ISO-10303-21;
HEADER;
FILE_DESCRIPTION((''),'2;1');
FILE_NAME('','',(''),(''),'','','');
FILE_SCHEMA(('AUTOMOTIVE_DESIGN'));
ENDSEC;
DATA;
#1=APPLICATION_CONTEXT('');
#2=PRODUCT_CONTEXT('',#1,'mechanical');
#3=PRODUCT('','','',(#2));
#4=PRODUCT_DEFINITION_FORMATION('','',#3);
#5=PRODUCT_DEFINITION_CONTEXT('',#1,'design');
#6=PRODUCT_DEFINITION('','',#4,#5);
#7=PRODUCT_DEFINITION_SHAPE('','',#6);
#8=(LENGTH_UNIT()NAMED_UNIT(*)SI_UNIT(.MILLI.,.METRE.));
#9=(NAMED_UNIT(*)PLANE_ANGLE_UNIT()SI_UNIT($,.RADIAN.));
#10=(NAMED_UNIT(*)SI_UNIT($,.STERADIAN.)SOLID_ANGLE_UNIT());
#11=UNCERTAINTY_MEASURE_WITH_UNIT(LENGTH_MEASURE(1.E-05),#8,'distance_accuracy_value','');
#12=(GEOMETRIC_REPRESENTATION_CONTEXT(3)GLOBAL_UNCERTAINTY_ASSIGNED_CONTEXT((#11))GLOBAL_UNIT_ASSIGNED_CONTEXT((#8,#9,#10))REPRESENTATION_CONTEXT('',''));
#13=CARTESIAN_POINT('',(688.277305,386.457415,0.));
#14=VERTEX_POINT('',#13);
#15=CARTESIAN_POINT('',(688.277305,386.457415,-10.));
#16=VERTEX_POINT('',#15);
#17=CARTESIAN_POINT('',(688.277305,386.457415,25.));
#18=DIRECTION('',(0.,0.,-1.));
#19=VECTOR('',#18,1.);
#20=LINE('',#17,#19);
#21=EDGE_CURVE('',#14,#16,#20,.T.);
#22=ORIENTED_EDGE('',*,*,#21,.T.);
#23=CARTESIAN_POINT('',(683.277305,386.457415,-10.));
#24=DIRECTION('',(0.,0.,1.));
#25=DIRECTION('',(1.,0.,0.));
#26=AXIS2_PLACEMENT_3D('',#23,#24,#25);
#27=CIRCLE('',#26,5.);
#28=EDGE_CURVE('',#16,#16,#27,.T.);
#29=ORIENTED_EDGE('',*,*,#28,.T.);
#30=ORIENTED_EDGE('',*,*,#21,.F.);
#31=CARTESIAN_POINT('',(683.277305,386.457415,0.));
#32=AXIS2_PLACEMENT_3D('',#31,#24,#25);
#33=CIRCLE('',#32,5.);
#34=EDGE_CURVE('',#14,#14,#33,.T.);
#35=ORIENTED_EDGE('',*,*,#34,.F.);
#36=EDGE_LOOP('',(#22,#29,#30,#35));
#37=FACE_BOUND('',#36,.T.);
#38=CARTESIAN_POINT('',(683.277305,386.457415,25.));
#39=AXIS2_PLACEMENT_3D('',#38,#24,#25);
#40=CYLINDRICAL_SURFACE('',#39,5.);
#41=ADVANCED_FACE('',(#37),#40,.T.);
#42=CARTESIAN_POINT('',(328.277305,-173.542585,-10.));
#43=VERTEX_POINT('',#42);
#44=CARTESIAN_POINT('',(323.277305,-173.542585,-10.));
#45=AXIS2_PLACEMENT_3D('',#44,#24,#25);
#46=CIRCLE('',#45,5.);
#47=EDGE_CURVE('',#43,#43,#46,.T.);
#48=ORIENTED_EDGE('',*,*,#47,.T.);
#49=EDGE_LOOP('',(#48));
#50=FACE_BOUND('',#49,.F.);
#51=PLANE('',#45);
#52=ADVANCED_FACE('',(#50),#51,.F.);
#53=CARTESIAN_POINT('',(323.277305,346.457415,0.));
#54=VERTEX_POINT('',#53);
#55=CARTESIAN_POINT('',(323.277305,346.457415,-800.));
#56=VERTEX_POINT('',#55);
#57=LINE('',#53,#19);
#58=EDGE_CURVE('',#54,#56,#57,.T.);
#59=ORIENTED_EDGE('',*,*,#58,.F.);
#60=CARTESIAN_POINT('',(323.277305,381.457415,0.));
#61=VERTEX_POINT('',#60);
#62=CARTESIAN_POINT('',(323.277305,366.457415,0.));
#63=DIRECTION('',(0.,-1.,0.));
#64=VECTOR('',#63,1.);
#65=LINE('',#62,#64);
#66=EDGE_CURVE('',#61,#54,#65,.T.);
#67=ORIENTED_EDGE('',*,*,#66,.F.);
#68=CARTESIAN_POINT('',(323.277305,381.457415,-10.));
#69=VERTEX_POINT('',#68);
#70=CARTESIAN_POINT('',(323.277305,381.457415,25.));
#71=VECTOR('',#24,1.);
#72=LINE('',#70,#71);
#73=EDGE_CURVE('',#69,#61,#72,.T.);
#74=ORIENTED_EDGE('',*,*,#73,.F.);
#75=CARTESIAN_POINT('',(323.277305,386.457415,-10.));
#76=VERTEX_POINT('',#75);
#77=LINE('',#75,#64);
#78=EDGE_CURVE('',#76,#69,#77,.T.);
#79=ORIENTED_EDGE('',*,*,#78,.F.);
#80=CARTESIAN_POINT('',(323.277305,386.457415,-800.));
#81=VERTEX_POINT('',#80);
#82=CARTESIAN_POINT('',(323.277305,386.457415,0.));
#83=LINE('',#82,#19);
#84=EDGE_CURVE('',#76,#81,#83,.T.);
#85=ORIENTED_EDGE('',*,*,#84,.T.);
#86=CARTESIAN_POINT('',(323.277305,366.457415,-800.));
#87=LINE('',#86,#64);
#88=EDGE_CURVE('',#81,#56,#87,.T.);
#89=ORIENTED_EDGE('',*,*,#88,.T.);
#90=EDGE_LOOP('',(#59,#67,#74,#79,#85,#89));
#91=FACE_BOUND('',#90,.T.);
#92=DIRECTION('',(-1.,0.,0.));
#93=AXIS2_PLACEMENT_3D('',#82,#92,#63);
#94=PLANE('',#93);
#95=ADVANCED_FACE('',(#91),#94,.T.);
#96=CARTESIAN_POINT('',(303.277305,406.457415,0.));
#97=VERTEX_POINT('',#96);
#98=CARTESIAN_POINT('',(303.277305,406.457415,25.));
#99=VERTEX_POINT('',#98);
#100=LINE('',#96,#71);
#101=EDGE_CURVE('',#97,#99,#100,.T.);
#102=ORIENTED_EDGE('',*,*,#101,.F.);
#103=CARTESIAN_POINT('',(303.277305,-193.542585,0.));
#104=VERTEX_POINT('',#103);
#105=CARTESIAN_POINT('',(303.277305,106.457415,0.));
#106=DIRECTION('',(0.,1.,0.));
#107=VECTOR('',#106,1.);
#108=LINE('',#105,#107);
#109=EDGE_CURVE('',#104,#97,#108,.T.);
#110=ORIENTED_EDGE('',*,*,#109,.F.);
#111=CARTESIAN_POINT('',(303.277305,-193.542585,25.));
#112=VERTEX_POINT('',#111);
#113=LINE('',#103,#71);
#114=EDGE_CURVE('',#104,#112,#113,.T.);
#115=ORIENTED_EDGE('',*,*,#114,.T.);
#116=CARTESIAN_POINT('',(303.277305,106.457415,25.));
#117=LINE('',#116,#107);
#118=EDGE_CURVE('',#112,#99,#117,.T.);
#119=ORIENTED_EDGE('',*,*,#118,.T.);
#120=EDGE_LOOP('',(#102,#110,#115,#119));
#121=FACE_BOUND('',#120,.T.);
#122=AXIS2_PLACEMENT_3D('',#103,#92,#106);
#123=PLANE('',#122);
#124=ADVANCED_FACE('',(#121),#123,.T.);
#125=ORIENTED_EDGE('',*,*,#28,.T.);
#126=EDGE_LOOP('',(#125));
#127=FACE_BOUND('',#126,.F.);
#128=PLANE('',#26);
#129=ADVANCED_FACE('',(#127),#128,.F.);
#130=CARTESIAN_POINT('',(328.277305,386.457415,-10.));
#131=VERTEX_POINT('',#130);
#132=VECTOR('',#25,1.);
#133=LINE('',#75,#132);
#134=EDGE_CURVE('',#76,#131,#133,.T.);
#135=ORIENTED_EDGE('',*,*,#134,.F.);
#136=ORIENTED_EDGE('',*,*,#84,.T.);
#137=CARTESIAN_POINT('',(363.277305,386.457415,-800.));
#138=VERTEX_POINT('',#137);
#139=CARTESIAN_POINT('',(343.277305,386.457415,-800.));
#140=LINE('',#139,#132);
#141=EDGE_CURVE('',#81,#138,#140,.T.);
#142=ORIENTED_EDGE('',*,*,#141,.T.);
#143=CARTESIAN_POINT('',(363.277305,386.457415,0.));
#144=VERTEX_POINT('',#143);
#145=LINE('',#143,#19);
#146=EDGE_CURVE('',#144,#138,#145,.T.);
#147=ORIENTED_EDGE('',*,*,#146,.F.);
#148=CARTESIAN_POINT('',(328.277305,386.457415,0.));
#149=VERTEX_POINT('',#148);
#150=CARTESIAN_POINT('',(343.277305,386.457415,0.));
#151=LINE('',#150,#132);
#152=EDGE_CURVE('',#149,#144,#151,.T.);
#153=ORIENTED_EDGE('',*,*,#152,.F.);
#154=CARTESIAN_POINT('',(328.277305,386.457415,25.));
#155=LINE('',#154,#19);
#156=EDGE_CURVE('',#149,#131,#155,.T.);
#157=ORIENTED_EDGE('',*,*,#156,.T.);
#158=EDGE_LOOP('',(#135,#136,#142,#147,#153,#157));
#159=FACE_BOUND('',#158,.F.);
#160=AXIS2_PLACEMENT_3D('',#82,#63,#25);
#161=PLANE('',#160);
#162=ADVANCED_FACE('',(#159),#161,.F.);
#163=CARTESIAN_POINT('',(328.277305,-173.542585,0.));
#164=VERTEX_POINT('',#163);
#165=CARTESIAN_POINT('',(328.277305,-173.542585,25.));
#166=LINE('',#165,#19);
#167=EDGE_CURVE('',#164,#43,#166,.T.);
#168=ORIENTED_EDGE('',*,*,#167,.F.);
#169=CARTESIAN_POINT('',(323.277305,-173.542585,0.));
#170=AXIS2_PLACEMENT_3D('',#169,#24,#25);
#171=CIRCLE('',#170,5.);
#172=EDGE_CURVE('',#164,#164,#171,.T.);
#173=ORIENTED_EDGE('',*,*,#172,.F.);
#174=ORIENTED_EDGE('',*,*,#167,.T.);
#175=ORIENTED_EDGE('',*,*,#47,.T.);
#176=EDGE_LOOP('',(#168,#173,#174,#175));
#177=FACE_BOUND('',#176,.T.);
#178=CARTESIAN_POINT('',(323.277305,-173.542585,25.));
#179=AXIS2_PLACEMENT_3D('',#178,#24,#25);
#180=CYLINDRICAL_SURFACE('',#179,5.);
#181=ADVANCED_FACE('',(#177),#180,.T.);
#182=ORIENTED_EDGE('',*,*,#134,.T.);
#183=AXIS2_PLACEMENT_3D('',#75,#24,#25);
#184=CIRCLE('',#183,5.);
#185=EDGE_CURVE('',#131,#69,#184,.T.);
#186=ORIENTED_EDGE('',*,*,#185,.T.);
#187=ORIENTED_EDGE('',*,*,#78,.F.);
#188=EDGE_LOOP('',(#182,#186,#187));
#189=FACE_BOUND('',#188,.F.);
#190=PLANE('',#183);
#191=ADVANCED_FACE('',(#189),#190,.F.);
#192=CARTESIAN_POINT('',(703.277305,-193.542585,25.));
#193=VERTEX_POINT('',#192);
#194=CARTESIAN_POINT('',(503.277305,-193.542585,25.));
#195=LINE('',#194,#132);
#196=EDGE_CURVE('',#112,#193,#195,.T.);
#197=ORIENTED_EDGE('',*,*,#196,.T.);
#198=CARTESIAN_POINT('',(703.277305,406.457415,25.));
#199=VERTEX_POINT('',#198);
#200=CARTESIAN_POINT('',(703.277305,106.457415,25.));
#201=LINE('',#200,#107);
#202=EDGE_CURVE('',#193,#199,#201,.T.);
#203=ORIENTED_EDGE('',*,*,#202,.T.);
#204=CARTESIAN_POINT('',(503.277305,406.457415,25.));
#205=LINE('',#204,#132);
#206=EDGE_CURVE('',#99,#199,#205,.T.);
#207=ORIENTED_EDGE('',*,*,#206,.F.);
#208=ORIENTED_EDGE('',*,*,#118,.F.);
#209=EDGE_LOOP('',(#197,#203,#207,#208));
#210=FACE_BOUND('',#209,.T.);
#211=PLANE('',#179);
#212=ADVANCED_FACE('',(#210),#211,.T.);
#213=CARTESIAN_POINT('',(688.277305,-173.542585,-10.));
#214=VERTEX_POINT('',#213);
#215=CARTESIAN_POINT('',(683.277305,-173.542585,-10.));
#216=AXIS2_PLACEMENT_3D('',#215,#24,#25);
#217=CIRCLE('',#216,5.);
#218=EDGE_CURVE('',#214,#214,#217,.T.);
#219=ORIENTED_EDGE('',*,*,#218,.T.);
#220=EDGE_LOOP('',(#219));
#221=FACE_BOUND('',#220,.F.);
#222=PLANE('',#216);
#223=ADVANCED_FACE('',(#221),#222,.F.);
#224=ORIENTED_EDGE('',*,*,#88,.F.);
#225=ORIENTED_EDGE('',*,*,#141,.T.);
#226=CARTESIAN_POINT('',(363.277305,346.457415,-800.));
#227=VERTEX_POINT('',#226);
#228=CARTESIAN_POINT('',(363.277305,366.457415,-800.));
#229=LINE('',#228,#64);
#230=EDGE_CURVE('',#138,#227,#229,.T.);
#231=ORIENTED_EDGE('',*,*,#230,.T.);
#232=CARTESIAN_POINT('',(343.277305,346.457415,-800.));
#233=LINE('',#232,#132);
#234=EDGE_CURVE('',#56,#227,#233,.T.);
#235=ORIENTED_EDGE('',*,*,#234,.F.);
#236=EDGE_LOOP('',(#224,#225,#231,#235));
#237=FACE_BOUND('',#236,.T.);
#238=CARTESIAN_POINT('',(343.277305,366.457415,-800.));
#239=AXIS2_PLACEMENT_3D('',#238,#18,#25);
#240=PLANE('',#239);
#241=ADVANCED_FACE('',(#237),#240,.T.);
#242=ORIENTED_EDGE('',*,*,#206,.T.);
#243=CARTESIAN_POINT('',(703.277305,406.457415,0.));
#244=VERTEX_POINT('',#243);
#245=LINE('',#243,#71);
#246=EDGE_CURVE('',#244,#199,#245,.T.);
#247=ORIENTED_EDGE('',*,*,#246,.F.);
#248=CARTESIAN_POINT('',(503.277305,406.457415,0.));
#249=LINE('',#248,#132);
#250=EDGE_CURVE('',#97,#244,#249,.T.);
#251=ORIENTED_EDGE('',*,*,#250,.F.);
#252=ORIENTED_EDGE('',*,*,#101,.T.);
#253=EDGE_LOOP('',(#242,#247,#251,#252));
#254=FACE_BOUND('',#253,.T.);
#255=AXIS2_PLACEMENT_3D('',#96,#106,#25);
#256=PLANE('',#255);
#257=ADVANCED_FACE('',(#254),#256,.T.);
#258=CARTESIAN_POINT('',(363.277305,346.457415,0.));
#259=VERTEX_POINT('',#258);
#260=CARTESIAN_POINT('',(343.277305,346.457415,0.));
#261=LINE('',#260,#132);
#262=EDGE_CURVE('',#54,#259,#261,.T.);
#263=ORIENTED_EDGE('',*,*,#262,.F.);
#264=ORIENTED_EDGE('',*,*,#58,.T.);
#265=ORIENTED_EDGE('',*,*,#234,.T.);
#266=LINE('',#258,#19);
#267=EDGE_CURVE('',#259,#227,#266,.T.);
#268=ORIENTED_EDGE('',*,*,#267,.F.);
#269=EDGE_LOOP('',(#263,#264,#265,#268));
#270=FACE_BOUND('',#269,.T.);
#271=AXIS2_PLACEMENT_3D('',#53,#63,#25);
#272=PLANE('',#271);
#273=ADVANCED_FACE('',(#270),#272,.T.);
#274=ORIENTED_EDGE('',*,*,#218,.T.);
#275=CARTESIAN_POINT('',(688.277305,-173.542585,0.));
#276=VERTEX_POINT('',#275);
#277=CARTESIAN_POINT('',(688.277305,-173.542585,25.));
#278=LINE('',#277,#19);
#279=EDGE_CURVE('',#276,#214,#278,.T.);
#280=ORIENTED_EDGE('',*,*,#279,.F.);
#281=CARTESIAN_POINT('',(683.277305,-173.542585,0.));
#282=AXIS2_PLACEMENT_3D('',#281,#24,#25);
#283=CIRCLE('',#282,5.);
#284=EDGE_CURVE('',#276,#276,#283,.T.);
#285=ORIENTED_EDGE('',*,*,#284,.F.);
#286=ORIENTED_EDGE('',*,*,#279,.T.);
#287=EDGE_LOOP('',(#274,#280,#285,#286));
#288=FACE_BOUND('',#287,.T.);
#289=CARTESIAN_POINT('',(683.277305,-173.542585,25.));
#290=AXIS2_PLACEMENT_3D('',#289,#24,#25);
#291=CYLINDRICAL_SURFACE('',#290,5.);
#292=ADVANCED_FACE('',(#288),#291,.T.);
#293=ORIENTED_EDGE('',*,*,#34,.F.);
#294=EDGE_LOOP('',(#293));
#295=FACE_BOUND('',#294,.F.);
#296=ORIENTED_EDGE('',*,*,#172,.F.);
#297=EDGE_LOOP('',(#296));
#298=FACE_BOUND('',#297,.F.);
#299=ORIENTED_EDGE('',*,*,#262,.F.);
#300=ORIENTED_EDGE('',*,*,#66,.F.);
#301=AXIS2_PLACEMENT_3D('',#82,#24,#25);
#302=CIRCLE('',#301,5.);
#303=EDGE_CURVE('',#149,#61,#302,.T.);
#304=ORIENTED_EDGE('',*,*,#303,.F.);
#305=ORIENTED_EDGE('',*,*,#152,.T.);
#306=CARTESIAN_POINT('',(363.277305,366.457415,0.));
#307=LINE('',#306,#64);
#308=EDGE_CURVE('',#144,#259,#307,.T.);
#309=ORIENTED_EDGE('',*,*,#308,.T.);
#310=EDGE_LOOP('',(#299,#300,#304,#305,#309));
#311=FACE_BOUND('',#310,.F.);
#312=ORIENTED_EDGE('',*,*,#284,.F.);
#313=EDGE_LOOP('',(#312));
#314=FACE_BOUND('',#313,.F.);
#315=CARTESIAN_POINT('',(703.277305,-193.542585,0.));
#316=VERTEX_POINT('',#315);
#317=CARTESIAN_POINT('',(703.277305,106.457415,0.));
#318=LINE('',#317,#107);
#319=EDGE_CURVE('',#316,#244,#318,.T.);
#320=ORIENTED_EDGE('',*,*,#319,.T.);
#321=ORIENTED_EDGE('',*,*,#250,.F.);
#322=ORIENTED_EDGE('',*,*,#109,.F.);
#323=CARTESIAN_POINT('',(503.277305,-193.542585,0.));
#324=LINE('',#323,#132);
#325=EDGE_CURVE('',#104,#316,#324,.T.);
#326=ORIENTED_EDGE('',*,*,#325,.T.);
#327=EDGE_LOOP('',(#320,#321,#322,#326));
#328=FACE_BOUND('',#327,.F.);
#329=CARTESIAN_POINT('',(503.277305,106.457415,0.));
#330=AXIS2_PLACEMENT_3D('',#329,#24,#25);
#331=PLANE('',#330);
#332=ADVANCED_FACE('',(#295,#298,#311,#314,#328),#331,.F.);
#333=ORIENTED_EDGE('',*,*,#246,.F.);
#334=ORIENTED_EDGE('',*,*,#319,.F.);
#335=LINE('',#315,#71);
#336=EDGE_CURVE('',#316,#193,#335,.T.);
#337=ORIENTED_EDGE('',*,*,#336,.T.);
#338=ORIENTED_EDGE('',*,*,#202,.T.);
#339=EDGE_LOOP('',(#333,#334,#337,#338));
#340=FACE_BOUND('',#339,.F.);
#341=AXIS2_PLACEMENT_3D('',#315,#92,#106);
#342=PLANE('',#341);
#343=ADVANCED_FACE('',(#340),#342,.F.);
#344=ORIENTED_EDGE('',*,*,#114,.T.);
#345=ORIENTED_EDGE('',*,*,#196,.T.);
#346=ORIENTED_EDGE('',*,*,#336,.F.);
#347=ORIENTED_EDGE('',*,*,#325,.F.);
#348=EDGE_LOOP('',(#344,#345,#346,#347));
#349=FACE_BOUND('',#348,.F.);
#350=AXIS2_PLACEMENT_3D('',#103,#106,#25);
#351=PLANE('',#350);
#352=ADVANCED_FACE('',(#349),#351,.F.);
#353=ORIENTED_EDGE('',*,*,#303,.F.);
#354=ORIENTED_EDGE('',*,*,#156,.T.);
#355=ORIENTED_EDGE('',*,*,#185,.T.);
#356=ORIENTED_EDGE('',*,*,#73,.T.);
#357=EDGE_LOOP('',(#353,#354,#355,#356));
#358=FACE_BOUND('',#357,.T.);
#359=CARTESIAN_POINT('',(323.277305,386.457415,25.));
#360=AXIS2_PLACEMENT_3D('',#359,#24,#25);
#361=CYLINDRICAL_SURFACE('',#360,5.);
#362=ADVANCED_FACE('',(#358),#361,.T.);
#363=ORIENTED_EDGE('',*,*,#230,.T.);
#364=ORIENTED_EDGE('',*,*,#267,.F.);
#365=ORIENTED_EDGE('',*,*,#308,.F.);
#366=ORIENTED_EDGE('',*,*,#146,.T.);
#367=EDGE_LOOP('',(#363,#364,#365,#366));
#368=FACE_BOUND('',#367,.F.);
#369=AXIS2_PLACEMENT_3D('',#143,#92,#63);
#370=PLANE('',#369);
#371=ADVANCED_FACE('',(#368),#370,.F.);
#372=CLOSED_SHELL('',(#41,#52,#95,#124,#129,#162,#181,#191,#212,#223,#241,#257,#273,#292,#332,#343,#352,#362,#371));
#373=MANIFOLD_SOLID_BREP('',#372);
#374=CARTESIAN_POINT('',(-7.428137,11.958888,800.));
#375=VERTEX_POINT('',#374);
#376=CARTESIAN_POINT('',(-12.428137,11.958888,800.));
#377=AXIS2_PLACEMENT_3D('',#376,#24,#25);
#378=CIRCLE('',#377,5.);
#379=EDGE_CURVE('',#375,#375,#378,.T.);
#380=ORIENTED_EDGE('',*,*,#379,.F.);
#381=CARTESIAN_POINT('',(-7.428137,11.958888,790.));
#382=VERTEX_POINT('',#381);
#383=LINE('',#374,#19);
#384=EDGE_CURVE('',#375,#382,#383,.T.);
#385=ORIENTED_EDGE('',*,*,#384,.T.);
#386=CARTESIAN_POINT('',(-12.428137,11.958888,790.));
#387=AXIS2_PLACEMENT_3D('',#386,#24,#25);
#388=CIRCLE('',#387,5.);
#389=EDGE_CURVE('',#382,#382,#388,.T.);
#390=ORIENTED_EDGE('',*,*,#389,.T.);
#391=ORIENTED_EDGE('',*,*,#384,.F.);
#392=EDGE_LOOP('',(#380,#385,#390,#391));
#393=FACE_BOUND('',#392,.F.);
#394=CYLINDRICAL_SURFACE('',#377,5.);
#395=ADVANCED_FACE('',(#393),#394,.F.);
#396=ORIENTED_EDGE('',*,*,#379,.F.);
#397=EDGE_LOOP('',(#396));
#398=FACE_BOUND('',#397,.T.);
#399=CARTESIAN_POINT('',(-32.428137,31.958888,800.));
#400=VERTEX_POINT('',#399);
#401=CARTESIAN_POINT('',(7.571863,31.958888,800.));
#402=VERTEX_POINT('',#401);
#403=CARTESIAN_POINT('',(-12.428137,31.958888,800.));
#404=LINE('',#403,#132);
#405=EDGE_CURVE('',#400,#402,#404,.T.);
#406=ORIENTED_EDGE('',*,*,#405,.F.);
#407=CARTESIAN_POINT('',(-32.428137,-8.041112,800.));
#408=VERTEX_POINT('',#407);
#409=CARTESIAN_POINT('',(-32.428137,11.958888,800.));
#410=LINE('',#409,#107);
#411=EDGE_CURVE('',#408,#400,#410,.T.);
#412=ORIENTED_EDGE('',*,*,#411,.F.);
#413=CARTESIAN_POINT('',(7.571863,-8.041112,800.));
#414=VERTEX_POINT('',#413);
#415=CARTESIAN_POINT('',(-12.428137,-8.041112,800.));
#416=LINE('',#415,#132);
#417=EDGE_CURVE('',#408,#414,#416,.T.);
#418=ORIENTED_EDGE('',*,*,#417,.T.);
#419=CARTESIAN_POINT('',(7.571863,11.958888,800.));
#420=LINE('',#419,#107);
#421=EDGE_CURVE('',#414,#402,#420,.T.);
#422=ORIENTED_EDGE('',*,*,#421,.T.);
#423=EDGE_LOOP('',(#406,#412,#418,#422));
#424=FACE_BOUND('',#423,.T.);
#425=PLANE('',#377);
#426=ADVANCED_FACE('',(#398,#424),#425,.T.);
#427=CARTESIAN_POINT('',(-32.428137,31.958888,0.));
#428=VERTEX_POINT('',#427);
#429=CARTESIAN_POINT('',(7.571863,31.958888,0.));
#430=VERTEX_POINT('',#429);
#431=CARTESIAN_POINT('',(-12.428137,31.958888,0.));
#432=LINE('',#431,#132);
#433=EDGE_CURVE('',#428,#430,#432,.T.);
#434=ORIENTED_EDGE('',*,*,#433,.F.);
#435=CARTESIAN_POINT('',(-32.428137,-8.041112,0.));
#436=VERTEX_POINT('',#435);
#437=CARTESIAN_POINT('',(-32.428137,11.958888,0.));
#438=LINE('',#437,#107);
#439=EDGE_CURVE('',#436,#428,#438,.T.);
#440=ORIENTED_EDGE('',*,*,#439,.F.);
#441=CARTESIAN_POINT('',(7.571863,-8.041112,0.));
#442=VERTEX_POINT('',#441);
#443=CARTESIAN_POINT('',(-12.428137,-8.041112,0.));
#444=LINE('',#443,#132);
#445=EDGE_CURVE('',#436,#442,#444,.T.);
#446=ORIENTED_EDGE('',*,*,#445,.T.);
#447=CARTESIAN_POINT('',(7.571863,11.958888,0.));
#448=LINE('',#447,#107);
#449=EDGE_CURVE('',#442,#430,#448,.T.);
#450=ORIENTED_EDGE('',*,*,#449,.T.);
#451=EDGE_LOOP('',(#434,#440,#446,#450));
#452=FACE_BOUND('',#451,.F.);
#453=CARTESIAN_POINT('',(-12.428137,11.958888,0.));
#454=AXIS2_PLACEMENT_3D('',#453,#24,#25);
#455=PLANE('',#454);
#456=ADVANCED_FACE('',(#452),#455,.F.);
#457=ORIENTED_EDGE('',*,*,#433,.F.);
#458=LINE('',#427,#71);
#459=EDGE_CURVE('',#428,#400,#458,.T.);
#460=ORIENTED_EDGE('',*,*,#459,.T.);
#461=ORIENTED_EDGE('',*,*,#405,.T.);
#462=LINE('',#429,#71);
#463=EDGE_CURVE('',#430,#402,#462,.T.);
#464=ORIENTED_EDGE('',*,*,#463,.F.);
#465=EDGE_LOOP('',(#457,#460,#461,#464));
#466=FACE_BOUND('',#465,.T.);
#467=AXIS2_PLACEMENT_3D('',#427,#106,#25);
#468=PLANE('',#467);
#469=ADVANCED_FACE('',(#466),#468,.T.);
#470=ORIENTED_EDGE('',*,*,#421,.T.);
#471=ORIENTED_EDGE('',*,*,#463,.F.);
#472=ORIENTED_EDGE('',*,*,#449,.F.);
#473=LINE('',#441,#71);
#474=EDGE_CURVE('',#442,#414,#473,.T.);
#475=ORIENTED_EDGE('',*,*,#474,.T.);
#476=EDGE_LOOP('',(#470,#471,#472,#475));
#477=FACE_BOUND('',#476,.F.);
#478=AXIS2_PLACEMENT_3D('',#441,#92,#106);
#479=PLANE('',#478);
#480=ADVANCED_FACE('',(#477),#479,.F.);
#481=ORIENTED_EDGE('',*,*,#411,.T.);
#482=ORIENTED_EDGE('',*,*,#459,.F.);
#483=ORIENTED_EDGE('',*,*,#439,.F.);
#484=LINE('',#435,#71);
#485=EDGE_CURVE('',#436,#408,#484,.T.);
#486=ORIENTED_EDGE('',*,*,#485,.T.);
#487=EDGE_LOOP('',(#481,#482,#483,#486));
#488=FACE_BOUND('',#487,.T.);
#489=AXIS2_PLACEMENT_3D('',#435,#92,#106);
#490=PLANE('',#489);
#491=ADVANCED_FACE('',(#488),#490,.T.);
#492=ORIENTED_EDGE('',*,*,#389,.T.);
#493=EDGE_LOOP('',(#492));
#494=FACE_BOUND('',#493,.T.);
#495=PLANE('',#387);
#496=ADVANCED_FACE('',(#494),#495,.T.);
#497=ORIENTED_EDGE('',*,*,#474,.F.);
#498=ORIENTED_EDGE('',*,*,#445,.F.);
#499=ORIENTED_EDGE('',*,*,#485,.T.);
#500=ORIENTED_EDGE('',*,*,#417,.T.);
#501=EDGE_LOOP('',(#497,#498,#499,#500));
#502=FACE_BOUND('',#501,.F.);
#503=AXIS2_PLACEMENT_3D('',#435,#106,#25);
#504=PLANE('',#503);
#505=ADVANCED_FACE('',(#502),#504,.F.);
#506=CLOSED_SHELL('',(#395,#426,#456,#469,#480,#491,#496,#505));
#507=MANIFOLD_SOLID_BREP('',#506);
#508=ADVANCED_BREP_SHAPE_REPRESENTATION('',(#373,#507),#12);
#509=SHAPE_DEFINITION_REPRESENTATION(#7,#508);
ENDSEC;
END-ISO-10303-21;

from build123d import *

# Parameters (mm, degrees)
F0_W     = 40
F0_H     = 40
F1_DEPTH = 800
F2_W     = 400
F2_H     = 600
F3_DEPTH = 25
F4_R     = 5
F5_DEPTH = 35
F6_R     = 5
F7_DEPTH = 10
F8_W     = 40
F8_H     = 40
F9_DEPTH = 800


with BuildPart() as f1:
    # F0 (on Top) → F1 (new body)
    with BuildSketch(Plane.XY):
        with Locations((-12.428137, 11.958888)):
            Rectangle(F0_W, F0_H)
    extrude(amount=F1_DEPTH)

    # F6 (on face) → F7 (cut)
    with BuildSketch(Plane.XY.offset(800)):
        with Locations((-12.428137, 11.958888)):
            Circle(F6_R)
    extrude(amount=-F7_DEPTH, mode=Mode.SUBTRACT)


with BuildPart() as f3:
    # F2 (on Top) → F3 (new body)
    with BuildSketch(Plane.XY):
        with Locations((503.277305, 106.457415)):
            Rectangle(F2_W, F2_H)
    extrude(amount=F3_DEPTH)

    # F4 (on face) → F5 (join)
    with BuildSketch(Plane.XY.offset(25)):
        with Locations((323.277305, -173.542585)):
            Circle(F4_R)
        with Locations((683.277305, -173.542585)):
            Circle(F4_R)
        with Locations((323.277305, 386.457415)):
            Circle(F4_R)
        with Locations((683.277305, 386.457415)):
            Circle(F4_R)
    extrude(amount=-F5_DEPTH)

    # F8 (on face) → F9 (join)
    with BuildSketch(Plane(origin=(0, 0, 0), x_dir=(1, 0, 0), z_dir=(0, 0, -1))):
        with Locations((343.277305, -366.457415)):
            Rectangle(F8_W, F8_H)
    extrude(amount=F9_DEPTH)


solid = Compound([f1.part, f3.part])
